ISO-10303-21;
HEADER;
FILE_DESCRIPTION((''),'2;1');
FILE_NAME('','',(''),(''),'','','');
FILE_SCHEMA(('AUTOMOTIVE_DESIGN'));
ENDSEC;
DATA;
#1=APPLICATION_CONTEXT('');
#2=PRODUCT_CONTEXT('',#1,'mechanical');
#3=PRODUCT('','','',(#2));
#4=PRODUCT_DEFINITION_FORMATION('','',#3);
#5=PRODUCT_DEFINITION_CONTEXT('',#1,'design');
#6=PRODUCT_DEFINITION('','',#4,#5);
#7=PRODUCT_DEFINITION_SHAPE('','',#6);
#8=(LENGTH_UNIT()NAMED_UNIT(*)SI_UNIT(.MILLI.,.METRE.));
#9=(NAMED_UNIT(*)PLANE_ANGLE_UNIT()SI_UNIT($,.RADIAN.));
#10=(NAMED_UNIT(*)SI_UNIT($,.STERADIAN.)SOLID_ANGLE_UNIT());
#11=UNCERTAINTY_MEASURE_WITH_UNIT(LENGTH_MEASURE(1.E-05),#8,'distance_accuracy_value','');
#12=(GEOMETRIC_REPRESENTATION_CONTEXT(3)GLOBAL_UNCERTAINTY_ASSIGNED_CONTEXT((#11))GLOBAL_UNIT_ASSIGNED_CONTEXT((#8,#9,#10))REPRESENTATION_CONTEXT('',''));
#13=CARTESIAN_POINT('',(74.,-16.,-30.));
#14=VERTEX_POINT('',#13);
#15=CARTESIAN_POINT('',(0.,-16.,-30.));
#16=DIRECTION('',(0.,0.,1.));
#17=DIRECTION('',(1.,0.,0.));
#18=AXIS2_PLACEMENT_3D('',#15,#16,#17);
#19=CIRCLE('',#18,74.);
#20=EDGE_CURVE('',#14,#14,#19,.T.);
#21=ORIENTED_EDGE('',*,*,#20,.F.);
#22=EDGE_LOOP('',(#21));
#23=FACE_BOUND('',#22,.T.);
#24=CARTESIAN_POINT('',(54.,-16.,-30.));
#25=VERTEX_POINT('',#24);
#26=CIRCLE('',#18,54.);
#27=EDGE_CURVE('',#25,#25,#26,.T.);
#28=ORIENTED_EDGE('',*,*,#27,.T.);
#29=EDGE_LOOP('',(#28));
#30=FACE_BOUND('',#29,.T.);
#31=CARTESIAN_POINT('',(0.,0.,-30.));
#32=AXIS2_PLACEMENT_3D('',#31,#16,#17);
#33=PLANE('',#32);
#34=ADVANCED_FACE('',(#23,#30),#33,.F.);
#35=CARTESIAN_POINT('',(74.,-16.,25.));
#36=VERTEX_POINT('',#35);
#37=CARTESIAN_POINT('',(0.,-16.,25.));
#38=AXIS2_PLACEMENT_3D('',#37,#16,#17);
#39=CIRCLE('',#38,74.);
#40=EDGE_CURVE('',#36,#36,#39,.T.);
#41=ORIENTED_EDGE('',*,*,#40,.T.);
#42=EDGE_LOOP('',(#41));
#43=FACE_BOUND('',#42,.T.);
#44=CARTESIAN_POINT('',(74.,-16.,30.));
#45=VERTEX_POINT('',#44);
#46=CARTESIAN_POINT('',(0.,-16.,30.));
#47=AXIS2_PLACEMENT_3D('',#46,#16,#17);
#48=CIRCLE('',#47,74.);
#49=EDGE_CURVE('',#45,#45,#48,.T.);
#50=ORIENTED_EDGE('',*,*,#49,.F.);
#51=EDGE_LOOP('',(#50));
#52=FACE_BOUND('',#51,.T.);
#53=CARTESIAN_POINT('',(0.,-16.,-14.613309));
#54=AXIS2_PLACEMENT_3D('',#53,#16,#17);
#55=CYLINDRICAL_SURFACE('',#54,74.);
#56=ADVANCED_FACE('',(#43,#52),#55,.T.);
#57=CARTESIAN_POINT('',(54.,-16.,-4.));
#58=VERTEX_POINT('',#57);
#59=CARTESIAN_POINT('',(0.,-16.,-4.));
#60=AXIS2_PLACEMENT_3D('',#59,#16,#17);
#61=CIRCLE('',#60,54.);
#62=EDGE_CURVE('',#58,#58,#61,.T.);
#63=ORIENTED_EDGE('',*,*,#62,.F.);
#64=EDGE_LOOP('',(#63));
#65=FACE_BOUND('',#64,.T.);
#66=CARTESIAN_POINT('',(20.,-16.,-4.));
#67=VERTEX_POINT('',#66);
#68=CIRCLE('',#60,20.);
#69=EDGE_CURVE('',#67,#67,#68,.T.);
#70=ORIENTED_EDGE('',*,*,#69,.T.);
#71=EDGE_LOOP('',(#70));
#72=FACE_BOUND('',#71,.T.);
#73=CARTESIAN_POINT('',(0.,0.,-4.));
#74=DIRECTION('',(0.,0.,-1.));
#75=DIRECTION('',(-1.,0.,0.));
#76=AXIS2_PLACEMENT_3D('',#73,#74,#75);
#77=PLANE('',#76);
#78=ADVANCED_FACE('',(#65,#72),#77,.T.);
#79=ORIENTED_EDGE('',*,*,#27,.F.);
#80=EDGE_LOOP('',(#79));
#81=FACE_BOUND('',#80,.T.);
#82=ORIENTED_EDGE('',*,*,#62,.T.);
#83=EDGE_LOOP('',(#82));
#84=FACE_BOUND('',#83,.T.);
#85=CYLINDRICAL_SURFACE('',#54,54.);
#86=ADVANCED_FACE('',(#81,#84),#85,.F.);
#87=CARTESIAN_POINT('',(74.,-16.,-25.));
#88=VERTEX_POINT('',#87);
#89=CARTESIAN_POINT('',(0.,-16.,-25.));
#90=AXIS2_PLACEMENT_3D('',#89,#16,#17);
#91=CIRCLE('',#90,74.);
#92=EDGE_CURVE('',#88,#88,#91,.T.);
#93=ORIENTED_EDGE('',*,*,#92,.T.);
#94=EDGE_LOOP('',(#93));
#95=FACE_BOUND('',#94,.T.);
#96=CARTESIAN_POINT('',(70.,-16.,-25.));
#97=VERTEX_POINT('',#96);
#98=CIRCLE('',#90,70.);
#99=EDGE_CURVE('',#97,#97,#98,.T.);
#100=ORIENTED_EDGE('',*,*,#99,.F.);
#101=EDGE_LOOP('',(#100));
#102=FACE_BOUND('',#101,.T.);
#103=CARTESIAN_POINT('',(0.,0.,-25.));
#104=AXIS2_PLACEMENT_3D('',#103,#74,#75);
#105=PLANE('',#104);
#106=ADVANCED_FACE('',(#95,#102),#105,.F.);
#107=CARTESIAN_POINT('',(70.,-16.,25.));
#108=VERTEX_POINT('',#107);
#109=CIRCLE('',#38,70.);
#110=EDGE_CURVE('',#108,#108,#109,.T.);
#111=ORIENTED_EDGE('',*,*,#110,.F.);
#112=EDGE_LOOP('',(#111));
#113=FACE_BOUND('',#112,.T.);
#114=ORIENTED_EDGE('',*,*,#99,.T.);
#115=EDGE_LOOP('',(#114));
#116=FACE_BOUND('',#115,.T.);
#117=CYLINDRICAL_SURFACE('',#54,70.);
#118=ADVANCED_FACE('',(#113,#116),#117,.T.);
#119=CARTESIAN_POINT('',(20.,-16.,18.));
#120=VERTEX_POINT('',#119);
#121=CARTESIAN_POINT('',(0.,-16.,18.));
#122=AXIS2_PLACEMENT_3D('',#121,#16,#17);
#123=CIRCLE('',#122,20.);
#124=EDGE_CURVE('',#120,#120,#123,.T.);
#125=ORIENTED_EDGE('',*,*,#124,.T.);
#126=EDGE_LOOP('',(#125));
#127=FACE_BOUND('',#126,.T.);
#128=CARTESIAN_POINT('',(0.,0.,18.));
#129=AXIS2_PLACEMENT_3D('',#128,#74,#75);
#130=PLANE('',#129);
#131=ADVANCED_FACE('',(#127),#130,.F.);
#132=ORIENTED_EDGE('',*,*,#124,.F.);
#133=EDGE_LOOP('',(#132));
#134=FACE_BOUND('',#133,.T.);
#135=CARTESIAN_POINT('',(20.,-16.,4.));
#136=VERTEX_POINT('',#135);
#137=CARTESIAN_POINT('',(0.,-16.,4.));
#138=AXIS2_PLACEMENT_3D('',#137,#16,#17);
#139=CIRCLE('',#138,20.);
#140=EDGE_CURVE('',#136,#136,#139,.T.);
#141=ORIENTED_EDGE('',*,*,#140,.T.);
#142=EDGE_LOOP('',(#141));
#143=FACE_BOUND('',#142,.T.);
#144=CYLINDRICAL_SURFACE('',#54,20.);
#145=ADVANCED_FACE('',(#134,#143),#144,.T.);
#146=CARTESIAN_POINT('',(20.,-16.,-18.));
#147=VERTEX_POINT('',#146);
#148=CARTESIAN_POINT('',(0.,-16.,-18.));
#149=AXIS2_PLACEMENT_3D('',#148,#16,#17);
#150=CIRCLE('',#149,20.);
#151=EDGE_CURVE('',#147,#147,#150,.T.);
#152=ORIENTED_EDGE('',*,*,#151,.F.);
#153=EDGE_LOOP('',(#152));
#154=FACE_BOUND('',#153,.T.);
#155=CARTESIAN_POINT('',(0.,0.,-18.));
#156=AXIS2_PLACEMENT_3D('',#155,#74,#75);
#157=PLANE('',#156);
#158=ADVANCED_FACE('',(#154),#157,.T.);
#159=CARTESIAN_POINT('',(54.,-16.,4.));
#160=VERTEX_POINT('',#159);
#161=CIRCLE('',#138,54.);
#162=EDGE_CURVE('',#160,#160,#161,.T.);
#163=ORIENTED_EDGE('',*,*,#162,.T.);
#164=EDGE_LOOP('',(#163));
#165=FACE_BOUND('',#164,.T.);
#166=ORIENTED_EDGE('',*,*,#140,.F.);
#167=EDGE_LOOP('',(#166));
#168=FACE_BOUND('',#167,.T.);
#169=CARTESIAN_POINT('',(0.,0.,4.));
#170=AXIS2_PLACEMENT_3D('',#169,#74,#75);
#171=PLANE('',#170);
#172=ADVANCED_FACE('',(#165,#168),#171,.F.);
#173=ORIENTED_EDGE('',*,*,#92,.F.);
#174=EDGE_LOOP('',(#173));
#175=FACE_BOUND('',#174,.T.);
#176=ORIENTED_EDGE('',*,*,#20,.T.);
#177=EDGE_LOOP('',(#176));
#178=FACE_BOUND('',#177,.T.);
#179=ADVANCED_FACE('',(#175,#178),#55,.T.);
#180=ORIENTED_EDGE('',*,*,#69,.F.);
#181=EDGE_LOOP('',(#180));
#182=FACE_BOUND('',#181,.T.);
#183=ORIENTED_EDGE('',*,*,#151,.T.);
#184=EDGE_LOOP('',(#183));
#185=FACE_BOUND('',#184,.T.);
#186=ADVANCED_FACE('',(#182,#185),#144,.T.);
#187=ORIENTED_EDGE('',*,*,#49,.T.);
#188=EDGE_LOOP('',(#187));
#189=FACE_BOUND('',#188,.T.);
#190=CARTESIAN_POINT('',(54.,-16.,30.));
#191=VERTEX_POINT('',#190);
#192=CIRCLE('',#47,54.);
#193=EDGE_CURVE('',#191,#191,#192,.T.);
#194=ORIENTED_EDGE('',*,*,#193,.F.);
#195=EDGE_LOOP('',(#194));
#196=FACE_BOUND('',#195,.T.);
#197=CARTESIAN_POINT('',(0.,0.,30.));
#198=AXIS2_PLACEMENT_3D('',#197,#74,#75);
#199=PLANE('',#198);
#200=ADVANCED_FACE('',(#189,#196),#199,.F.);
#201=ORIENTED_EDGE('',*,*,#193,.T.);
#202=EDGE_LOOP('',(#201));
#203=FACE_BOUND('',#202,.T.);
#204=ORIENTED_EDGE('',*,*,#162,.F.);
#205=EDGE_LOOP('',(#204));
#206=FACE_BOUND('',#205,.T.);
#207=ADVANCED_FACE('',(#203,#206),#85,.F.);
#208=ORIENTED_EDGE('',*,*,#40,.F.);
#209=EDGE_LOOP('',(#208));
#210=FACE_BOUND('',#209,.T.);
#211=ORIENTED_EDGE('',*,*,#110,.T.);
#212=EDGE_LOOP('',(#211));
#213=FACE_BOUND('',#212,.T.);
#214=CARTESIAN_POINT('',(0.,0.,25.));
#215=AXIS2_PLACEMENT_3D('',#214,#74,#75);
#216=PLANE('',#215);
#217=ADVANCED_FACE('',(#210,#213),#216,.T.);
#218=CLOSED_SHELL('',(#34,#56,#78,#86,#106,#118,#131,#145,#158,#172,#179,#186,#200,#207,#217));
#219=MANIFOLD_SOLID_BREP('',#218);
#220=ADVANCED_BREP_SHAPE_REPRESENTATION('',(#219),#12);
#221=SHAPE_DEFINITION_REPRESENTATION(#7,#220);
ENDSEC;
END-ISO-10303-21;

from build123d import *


with BuildPart() as part:
    # Croquis2 → Revolución2 (revolve)
    with BuildSketch(Plane(origin=(0, 0, 0), x_dir=(0, 0, -1), z_dir=(1, 0, 0)), mode=Mode.PRIVATE) as revoluci_n2_sk:
        Polygon((-30, -86), (-30, -90), (-25, -90), (-25, -86), (-4, -86), (4, -86), (25, -86), (25, -90), (30, -90), (30, -86), (30, -70), (4, -70), (4, -36), (18, -36), (18, -16), (-18, -16), (-18, -36), (-4, -36), (-4, -70), (-30, -70), align=None)
    revolve(revoluci_n2_sk.sketch.rotate(Axis((0, -16, -14.613309118), (0, 0, -1)), 270), axis=Axis((0, -16, -14.613309118), (0, 0, -1)))


solid = part.part
